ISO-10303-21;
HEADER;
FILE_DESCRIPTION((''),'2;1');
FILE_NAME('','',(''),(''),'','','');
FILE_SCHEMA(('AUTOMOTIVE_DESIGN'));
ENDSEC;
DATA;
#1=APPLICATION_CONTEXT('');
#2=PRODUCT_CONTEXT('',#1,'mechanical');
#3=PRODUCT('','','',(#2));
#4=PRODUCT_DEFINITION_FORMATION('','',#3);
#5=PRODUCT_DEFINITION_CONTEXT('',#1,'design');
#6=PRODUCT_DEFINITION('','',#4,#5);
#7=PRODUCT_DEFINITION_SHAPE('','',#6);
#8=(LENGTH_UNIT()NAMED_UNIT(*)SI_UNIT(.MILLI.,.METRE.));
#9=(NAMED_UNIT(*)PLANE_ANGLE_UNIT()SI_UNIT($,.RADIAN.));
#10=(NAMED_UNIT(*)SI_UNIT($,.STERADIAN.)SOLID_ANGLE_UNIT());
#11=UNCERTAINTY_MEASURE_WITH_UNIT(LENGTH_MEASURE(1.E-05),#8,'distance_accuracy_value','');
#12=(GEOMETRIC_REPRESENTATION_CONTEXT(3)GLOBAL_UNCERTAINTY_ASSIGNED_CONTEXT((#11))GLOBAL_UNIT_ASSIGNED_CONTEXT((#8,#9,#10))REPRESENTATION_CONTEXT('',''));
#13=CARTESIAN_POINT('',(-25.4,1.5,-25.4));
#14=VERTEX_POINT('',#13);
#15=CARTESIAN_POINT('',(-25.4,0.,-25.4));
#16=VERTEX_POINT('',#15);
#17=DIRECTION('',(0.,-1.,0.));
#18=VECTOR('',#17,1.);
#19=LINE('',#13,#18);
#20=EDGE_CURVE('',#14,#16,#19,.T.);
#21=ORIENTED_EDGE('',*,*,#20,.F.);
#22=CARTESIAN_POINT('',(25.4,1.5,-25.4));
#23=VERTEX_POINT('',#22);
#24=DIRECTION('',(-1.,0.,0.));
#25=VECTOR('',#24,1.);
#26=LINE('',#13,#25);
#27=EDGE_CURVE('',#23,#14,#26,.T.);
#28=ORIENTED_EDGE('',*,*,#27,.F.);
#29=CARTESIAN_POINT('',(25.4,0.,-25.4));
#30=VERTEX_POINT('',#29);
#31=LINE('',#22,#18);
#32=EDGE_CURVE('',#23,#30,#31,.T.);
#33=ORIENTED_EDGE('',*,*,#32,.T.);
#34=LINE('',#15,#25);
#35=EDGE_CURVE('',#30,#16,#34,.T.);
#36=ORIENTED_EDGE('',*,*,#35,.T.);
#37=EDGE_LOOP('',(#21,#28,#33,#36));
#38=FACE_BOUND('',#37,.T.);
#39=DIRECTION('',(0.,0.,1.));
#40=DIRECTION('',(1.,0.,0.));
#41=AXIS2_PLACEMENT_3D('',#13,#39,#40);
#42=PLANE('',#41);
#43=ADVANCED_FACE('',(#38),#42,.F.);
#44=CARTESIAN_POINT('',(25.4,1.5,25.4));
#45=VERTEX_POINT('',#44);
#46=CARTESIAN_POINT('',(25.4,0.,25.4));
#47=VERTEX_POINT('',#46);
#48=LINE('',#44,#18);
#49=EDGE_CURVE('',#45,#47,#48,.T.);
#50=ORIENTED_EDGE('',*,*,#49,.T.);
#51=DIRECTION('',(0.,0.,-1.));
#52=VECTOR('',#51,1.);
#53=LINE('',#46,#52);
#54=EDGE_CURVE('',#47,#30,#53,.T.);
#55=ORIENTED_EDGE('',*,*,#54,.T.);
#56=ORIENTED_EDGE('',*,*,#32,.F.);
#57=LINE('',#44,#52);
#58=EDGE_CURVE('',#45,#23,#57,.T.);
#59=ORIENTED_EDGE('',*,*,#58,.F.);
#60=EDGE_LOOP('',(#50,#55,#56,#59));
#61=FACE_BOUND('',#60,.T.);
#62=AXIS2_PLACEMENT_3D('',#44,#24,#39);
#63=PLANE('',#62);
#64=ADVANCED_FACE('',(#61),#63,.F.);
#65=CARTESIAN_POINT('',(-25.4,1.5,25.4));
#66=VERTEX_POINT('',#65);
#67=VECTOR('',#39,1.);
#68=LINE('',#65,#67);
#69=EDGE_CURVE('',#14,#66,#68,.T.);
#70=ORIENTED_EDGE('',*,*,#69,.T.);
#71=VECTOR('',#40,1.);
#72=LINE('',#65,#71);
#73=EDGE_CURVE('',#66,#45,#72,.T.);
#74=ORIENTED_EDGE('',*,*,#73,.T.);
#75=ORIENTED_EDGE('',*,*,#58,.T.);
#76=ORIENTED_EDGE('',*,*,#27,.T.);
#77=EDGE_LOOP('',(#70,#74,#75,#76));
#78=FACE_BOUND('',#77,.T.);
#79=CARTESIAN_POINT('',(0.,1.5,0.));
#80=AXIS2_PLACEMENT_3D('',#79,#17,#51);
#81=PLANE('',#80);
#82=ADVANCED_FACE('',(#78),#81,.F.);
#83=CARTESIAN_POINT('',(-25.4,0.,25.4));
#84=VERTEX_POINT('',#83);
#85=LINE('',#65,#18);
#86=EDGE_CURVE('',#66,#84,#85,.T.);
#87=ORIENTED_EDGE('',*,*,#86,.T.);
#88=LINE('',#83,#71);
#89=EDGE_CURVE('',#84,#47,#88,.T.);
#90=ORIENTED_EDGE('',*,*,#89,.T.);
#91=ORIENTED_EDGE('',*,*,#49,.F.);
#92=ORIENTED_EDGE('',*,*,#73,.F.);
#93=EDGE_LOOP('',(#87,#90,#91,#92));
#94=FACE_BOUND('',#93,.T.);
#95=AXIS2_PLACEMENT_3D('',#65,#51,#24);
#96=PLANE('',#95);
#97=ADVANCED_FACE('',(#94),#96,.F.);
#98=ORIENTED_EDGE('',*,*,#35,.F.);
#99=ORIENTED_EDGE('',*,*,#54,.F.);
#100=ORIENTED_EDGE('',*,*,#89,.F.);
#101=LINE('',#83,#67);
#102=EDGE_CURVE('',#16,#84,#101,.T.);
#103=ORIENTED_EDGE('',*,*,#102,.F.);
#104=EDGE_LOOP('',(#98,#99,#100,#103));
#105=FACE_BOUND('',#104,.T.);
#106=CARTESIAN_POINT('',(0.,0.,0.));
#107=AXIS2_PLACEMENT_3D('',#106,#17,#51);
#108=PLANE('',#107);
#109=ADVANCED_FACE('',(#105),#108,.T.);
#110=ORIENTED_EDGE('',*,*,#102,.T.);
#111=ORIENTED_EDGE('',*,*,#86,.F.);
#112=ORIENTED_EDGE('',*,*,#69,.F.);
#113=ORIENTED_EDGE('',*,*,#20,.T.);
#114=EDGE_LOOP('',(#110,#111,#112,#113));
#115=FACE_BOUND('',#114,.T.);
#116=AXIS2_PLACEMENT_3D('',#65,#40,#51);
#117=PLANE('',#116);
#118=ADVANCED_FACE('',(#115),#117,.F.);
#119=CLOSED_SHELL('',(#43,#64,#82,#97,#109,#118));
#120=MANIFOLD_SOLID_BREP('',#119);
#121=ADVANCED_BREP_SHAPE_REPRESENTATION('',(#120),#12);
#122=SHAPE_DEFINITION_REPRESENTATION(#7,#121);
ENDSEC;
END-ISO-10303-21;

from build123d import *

# Parameters (mm, degrees)
SKETCH_1_W      = 50.8
SKETCH_1_H      = 50.8
EXTRUDE_1_DEPTH = 1.5


with BuildPart() as part:
    # 草图1 → 凸台-拉伸1 (new body)
    with BuildSketch(Plane(origin=(0, 0, 0), x_dir=(1, 0, 0), z_dir=(0, 1, 0))):
        Rectangle(SKETCH_1_W, SKETCH_1_H)
    extrude(amount=EXTRUDE_1_DEPTH)


solid = part.part
